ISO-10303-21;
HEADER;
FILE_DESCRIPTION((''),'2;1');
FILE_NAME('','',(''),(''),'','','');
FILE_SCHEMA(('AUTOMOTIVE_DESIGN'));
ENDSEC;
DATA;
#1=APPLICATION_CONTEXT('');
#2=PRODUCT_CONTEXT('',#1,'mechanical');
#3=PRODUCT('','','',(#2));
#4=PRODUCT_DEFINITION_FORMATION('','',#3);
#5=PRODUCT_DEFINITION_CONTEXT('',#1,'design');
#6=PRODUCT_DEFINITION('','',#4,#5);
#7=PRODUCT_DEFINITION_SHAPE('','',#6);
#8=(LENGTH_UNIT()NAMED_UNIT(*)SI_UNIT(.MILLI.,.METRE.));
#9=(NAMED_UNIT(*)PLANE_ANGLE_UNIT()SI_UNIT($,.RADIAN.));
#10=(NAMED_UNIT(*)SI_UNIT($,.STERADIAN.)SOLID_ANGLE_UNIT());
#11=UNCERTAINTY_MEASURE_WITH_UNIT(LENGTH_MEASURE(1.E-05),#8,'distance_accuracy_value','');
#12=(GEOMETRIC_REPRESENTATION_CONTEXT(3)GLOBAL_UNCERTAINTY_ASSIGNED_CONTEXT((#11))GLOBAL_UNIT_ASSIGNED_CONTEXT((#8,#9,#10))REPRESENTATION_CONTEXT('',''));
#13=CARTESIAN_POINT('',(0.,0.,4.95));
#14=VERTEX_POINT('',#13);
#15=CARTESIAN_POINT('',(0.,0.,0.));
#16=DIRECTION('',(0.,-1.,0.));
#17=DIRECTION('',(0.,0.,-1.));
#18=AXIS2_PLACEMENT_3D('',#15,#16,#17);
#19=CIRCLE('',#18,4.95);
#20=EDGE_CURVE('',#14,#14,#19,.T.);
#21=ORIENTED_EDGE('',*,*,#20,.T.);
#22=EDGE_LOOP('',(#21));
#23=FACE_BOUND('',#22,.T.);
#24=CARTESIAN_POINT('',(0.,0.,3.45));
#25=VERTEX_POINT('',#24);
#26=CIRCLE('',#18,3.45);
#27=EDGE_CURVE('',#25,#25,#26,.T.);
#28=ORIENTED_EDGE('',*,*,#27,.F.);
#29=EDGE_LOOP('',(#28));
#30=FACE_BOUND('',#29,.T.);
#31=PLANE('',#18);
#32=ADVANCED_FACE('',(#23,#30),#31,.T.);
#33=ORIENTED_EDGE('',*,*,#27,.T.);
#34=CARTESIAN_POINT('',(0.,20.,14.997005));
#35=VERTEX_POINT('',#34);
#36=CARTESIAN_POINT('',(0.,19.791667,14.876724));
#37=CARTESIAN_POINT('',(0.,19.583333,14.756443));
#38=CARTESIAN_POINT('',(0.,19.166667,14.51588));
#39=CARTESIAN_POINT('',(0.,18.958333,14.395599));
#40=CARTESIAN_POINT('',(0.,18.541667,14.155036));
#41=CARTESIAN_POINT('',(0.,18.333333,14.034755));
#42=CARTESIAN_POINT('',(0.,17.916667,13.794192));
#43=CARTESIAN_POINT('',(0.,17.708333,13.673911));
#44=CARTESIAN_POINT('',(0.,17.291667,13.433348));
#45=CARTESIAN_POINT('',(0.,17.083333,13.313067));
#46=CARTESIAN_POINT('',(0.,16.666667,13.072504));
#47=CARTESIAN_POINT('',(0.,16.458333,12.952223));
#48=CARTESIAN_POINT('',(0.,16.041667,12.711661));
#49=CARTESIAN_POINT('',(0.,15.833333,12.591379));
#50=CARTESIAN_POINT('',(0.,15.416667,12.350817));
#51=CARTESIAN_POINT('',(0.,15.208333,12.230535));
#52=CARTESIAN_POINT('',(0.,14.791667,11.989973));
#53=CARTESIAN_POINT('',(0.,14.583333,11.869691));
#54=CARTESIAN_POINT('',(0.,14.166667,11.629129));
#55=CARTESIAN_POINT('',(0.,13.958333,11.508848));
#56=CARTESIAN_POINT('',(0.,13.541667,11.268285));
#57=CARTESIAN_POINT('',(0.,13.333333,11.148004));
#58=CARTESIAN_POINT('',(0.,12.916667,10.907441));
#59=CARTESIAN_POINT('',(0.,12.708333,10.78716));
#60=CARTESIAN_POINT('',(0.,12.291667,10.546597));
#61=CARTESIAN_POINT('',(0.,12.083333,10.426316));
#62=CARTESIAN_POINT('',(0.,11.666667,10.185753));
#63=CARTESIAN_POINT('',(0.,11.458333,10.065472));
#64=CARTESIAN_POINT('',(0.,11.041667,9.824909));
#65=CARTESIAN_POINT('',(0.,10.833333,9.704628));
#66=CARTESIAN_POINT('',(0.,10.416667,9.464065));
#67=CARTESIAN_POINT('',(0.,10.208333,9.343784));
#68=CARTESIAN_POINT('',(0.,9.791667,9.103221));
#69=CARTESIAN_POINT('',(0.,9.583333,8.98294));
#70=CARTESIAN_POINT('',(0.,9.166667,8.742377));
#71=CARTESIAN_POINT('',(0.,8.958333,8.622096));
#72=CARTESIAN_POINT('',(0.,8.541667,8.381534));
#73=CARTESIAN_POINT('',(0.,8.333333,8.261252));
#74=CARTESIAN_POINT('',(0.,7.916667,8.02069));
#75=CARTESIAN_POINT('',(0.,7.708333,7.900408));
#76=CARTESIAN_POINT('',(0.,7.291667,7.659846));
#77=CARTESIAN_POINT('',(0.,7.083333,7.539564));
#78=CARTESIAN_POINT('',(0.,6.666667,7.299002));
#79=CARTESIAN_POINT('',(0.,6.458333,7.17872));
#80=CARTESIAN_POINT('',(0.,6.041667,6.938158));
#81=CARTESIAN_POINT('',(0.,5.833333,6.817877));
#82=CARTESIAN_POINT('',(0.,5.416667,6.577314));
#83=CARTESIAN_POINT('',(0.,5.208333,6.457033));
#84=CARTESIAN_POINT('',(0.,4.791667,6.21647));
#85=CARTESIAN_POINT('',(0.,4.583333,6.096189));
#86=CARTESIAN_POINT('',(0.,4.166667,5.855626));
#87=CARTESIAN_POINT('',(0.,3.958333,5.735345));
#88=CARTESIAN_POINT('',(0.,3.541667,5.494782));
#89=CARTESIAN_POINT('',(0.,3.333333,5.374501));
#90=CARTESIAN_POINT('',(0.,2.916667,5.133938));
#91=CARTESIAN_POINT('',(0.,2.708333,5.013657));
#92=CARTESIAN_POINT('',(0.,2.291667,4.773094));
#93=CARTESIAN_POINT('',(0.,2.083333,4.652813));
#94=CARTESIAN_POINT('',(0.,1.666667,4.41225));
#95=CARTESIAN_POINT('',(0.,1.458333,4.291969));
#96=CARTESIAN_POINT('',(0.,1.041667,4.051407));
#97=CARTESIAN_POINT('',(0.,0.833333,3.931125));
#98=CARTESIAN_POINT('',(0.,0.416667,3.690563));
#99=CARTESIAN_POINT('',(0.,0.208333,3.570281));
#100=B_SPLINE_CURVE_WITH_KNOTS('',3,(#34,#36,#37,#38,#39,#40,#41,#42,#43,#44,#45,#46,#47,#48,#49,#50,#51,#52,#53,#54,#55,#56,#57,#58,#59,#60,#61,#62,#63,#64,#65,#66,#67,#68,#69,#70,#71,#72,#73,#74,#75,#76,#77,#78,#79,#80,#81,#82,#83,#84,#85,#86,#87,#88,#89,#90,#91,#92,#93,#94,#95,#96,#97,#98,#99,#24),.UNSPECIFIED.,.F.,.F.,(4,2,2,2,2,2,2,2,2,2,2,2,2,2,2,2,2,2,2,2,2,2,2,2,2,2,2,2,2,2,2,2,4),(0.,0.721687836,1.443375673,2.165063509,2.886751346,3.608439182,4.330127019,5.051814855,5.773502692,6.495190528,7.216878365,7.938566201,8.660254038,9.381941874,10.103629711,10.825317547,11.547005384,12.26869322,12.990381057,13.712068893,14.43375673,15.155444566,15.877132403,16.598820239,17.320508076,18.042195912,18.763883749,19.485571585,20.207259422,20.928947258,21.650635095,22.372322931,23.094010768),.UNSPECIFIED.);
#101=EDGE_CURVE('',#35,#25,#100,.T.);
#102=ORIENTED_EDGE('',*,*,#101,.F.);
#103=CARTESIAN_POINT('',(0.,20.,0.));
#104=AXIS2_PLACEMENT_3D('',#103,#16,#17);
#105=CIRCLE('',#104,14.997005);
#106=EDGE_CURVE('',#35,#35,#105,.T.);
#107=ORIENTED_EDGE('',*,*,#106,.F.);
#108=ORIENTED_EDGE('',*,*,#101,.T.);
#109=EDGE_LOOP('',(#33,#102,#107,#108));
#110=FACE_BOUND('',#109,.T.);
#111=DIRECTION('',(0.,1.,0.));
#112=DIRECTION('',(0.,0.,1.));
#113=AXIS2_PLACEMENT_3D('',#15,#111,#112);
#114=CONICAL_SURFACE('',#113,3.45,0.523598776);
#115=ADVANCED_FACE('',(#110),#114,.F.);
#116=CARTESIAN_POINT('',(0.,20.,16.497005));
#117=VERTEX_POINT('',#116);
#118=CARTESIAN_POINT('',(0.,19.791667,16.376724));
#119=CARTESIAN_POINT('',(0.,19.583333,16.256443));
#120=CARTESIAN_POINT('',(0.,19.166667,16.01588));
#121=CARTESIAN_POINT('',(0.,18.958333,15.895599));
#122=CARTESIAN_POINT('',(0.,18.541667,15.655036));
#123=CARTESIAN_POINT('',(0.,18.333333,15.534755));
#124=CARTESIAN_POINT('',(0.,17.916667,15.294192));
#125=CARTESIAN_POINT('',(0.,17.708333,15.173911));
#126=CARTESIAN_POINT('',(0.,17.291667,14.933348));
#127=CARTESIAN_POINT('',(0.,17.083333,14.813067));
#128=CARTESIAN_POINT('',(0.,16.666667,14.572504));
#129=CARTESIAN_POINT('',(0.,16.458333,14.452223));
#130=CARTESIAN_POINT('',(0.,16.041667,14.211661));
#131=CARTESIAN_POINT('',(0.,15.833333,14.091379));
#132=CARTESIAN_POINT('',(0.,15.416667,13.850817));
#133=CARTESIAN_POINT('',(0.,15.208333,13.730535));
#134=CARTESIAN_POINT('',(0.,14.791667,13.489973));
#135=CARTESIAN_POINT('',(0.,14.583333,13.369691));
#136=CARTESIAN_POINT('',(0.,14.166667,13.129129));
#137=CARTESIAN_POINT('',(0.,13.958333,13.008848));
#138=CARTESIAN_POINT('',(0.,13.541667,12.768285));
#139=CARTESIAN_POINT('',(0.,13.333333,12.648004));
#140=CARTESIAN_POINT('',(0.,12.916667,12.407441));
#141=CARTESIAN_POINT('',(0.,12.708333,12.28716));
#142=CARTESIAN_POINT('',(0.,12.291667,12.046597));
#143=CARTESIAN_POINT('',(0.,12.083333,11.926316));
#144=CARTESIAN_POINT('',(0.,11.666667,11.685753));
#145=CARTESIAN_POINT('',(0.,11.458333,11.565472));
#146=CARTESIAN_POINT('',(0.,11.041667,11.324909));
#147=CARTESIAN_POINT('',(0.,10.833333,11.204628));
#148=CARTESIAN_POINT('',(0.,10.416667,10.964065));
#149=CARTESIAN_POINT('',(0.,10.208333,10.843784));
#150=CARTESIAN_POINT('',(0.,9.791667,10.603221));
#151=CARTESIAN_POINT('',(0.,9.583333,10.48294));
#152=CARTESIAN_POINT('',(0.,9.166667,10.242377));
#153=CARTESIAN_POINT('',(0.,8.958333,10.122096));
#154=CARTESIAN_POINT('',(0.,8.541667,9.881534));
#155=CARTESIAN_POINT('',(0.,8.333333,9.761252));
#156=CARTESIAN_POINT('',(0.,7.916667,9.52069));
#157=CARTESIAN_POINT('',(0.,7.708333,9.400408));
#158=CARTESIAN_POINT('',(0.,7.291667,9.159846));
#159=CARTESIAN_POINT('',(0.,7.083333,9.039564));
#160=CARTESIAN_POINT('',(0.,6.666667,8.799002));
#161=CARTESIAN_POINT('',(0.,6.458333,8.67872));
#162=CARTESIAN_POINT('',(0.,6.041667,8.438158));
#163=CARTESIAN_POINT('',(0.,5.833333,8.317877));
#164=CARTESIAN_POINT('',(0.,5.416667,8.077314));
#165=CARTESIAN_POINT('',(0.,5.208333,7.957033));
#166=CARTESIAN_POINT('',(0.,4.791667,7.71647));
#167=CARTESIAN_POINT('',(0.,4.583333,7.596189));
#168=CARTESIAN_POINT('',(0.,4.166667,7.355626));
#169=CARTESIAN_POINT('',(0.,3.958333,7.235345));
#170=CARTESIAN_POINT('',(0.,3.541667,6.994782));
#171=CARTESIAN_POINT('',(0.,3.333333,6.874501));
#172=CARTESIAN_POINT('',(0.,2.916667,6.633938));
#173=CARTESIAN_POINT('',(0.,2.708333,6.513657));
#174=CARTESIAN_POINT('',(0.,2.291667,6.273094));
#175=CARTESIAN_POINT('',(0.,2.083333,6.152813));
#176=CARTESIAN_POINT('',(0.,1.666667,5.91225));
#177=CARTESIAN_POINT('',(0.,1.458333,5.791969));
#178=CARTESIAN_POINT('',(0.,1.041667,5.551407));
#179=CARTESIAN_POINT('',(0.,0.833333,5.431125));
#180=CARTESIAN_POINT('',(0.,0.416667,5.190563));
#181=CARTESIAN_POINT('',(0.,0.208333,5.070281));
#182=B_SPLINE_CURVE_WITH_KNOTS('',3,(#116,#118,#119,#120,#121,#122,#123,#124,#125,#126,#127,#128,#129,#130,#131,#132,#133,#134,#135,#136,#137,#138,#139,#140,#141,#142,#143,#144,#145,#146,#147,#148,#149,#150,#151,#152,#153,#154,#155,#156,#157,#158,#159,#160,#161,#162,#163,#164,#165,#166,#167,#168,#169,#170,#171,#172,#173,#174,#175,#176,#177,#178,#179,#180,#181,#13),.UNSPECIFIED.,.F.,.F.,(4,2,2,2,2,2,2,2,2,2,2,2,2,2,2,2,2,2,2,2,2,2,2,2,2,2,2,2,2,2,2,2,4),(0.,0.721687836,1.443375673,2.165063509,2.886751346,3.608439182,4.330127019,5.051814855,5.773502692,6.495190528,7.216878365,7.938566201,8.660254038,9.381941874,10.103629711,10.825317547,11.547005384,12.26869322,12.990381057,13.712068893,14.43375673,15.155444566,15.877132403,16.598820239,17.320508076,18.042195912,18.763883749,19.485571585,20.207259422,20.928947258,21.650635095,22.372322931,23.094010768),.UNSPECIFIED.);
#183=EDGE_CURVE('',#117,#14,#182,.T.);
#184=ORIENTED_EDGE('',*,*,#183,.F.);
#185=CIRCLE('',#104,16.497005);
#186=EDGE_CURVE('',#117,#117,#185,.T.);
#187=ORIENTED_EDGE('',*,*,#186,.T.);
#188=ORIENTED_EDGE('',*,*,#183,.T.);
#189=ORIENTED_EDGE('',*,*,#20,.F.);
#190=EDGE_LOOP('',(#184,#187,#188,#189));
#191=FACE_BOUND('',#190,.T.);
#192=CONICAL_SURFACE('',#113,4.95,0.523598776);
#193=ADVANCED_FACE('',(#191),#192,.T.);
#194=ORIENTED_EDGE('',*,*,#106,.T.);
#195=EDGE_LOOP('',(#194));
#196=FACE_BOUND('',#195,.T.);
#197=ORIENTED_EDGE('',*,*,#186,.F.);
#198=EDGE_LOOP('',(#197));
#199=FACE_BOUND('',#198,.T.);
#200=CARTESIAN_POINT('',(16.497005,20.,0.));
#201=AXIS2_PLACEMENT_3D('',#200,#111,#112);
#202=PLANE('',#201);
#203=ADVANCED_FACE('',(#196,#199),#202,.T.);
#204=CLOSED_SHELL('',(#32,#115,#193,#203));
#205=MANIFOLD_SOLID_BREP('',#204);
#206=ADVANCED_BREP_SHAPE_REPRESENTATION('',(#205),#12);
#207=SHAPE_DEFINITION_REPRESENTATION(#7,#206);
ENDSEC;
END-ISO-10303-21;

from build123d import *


with BuildPart() as part:
    # 草图1 → 旋转1 (revolve)
    with BuildSketch(Plane.XY, mode=Mode.PRIVATE) as revolve_1_sk:
        Polygon((0, 0), (4.95, 0), (16.497005384, 20), (0, 20), align=None)
    revolve(revolve_1_sk.sketch.rotate(Axis((0, 0, 0), (0, 1, 0)), 270), axis=Axis((0, 0, 0), (0, 1, 0)))

    # 草图2 → 切除-旋转1 (revolve, cut)
    with BuildSketch(Plane.XY, mode=Mode.PRIVATE) as cut_revolve_1_sk:
        Polygon((0, 0), (3.45, 0), (14.997005384, 20), (0, 20), align=None)
    revolve(cut_revolve_1_sk.sketch.rotate(Axis((0, 0, 0), (0, 1, 0)), 270), axis=Axis((0, 0, 0), (0, 1, 0)), mode=Mode.SUBTRACT)


solid = part.part
